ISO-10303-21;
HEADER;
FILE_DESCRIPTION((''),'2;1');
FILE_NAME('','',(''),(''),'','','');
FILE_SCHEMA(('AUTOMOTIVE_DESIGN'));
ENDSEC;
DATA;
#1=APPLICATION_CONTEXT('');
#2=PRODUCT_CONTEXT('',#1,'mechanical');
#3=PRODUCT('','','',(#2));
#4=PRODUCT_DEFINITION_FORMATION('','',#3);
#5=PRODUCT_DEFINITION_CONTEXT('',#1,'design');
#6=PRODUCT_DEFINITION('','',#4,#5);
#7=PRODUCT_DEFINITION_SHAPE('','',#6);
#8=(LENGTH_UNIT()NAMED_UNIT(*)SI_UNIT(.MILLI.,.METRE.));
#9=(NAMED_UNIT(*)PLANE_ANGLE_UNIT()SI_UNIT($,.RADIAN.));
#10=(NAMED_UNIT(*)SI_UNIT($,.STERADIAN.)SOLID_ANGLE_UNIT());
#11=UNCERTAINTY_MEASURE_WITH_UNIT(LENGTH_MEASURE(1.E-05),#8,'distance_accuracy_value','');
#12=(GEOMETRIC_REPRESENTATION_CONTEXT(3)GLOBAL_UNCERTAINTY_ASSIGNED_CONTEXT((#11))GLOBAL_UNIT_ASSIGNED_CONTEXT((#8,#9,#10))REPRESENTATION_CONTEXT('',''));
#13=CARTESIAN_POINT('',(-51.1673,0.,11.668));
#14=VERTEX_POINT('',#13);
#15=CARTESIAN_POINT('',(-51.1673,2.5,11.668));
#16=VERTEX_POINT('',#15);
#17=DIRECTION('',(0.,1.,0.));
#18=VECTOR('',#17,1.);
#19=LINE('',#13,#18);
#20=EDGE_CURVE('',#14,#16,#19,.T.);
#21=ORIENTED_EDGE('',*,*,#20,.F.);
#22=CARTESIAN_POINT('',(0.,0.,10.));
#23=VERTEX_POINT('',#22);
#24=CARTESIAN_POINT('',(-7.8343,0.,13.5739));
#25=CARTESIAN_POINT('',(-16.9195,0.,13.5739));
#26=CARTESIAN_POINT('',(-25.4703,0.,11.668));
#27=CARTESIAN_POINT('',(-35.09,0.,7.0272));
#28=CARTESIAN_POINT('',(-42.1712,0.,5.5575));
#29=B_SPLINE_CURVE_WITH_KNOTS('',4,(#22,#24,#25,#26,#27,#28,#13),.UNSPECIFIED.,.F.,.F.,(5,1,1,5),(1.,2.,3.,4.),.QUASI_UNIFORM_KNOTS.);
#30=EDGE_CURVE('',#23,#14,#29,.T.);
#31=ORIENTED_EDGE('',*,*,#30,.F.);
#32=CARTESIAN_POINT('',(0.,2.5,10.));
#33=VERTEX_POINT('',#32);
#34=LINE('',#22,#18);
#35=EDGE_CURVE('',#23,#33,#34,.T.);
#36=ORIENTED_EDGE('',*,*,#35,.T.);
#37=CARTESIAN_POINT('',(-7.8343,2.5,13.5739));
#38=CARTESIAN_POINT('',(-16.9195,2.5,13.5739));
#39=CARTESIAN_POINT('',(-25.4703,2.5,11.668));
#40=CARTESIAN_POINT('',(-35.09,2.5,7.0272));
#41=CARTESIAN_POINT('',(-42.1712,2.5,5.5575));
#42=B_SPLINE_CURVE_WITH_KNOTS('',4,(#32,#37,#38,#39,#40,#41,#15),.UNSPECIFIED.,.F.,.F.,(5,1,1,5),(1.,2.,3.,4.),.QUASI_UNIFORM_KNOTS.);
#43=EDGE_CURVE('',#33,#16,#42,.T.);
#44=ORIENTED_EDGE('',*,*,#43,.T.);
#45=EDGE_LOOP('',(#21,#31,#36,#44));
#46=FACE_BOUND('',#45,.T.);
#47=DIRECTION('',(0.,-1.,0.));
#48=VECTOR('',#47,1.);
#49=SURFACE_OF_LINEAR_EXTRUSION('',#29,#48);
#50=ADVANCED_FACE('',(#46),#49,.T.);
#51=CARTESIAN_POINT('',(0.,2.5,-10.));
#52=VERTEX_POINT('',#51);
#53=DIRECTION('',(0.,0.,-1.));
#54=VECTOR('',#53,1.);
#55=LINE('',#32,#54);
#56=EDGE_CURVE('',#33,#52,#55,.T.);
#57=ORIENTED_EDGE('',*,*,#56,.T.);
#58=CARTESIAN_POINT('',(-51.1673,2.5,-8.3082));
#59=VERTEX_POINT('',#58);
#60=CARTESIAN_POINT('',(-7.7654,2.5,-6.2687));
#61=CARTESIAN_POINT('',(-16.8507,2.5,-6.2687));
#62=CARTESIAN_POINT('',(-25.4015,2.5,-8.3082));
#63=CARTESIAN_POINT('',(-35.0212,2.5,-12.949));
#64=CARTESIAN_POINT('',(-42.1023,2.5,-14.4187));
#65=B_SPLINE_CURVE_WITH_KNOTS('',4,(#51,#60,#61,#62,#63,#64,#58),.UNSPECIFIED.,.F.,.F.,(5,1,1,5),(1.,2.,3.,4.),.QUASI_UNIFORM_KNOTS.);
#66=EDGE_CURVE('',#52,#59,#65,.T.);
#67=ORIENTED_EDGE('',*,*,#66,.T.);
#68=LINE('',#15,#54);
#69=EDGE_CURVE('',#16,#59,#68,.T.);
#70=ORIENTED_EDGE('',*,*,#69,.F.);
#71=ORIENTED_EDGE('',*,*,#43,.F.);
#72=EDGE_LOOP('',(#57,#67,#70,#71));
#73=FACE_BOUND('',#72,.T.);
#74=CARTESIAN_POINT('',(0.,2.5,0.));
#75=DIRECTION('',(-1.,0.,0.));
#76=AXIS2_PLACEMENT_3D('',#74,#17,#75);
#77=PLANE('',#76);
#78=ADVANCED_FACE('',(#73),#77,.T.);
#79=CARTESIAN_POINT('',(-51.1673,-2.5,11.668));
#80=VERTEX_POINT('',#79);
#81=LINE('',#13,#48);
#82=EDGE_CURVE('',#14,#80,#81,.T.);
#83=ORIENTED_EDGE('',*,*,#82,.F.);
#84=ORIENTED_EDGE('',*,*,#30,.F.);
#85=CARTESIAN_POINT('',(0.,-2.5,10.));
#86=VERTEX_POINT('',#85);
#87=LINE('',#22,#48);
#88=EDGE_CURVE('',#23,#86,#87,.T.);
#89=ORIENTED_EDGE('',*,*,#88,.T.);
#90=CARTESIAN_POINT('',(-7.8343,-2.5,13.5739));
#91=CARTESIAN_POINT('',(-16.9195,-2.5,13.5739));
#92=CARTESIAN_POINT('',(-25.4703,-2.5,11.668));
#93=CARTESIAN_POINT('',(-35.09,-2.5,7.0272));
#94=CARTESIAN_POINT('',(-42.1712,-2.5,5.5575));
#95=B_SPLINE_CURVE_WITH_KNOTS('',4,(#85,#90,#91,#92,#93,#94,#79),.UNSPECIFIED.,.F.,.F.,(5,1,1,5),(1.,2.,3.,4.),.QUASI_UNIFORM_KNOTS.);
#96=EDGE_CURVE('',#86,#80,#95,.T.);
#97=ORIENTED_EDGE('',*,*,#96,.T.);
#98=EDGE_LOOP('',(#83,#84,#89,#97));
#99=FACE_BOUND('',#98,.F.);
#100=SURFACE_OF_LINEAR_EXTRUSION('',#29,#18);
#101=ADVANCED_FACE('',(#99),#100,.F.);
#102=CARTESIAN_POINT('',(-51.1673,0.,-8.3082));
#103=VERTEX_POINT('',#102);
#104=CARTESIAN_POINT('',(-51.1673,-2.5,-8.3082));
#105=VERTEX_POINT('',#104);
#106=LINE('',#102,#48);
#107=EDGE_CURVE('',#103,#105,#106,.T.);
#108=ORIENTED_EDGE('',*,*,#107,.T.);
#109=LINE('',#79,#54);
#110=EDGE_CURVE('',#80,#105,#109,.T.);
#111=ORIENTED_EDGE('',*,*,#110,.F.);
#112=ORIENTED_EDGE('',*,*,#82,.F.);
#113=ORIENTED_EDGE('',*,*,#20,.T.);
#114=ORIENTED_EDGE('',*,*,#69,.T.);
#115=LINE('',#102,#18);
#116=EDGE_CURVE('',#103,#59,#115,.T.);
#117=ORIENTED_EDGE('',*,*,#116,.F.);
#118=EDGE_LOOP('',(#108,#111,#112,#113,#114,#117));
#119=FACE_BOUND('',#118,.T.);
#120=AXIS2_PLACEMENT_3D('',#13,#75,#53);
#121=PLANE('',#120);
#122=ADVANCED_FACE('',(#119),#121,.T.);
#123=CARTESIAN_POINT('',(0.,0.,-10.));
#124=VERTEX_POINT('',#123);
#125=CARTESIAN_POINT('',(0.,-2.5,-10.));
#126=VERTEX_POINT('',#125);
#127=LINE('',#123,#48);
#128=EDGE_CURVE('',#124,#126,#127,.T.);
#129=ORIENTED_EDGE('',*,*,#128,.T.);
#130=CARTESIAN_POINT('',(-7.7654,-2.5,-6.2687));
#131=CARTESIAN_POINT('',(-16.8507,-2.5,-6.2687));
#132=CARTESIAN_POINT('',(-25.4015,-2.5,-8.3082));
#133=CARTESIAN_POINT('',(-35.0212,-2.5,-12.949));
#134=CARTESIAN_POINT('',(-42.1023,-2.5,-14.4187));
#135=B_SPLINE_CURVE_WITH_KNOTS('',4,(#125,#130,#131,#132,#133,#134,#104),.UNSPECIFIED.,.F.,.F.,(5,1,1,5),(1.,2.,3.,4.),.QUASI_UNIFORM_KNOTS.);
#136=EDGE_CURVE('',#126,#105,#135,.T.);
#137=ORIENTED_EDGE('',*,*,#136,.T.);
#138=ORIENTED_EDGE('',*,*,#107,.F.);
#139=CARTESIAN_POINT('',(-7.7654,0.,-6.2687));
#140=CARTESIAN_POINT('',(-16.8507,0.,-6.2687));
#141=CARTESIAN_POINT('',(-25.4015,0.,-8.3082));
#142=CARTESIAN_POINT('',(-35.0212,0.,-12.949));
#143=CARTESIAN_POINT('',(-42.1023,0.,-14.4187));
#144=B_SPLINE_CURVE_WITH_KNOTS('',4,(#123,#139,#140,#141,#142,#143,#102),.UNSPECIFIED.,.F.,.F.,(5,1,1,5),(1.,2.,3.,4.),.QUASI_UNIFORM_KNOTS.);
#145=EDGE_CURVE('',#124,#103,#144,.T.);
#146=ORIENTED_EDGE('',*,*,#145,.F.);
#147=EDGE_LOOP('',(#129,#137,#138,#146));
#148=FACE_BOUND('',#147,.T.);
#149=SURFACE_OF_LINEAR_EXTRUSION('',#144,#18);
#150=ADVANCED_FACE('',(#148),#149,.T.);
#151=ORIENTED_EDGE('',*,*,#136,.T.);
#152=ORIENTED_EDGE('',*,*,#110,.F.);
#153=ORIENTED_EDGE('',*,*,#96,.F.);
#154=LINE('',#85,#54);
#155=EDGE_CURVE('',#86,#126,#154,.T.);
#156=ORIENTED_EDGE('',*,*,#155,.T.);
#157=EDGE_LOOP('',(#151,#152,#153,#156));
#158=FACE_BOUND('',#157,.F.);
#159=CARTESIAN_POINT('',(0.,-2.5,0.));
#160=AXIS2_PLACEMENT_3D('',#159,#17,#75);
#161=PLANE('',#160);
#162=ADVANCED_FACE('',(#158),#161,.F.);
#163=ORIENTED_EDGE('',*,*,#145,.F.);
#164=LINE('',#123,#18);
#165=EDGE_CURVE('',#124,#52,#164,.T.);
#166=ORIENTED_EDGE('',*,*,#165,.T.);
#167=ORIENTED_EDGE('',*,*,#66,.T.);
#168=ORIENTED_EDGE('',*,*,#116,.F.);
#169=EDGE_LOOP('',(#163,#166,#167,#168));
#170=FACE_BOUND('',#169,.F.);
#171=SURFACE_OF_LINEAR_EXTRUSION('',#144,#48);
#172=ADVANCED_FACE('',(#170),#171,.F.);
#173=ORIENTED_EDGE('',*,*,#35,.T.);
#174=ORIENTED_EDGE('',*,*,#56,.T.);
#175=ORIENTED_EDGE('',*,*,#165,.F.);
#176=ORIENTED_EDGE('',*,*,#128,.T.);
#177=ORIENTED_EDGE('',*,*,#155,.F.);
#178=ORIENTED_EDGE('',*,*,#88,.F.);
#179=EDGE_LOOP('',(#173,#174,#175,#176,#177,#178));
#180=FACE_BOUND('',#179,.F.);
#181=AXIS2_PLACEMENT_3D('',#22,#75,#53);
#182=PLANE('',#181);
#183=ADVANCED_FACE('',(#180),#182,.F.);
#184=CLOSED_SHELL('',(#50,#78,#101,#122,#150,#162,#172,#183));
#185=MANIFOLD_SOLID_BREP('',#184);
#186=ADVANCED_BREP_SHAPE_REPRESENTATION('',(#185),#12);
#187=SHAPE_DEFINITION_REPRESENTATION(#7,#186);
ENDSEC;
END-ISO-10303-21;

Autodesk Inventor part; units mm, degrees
ref_plane "YZ Plane" through (0, 0, 0) normal (1, 0, 0) x (0, 1, 0)
ref_plane "XZ Plane" through (0, 0, 0) normal (0, 1, 0) x (-1, 0, 0)
ref_plane "XY Plane" through (0, 0, 0) normal (0, 0, 1) x (1, 0, 0)
sketch "Sketch1" plane through (0, 0, 0) normal (0, 1, 0) x (-1, 0, 0)
  line L0 (0, 10) -> (0, -10)
  line L1 (51.1673, 11.668) -> (51.1673, -8.3082)
  line L2 (0, 10) -> (7.8343, 13.5739) construction
  line L3 (7.8343, 13.5739) -> (16.9195, 13.5739) construction
  line L4 (16.9195, 13.5739) -> (25.4703, 11.668) construction
  line L5 (25.4703, 11.668) -> (35.09, 7.0272) construction
  line L6 (35.09, 7.0272) -> (42.1712, 5.5575) construction
  line L7 (42.1712, 5.5575) -> (51.1673, 11.668) construction
  spline S0 degree 4 poles (0, 10) (7.8343, 13.5739) (16.9195, 13.5739) (25.4703, 11.668) (35.09, 7.0272) (42.1712, 5.5575) (51.1673, 11.668) knots 1 1 1 1 1 2 3 4 4 4 4 4
  line L8 (0, -10) -> (7.7654, -6.2687) construction
  line L9 (7.7654, -6.2687) -> (16.8507, -6.2687) construction
  line L10 (16.8507, -6.2687) -> (25.4015, -8.3082) construction
  line L11 (25.4015, -8.3082) -> (35.0212, -12.949) construction
  line L12 (35.0212, -12.949) -> (42.1023, -14.4187) construction
  line L13 (42.1023, -14.4187) -> (51.1673, -8.3082) construction
  spline S1 degree 4 poles (0, -10) (7.7654, -6.2687) (16.8507, -6.2687) (25.4015, -8.3082) (35.0212, -12.949) (42.1023, -14.4187) (51.1673, -8.3082) knots 1 1 1 1 1 2 3 4 4 4 4 4
  point P0 (0, 0)
extrude "Extrusion1" add sketch "Sketch1" along normal mid plane 5
properties part number "ThickThinProfile" material "Glass"
